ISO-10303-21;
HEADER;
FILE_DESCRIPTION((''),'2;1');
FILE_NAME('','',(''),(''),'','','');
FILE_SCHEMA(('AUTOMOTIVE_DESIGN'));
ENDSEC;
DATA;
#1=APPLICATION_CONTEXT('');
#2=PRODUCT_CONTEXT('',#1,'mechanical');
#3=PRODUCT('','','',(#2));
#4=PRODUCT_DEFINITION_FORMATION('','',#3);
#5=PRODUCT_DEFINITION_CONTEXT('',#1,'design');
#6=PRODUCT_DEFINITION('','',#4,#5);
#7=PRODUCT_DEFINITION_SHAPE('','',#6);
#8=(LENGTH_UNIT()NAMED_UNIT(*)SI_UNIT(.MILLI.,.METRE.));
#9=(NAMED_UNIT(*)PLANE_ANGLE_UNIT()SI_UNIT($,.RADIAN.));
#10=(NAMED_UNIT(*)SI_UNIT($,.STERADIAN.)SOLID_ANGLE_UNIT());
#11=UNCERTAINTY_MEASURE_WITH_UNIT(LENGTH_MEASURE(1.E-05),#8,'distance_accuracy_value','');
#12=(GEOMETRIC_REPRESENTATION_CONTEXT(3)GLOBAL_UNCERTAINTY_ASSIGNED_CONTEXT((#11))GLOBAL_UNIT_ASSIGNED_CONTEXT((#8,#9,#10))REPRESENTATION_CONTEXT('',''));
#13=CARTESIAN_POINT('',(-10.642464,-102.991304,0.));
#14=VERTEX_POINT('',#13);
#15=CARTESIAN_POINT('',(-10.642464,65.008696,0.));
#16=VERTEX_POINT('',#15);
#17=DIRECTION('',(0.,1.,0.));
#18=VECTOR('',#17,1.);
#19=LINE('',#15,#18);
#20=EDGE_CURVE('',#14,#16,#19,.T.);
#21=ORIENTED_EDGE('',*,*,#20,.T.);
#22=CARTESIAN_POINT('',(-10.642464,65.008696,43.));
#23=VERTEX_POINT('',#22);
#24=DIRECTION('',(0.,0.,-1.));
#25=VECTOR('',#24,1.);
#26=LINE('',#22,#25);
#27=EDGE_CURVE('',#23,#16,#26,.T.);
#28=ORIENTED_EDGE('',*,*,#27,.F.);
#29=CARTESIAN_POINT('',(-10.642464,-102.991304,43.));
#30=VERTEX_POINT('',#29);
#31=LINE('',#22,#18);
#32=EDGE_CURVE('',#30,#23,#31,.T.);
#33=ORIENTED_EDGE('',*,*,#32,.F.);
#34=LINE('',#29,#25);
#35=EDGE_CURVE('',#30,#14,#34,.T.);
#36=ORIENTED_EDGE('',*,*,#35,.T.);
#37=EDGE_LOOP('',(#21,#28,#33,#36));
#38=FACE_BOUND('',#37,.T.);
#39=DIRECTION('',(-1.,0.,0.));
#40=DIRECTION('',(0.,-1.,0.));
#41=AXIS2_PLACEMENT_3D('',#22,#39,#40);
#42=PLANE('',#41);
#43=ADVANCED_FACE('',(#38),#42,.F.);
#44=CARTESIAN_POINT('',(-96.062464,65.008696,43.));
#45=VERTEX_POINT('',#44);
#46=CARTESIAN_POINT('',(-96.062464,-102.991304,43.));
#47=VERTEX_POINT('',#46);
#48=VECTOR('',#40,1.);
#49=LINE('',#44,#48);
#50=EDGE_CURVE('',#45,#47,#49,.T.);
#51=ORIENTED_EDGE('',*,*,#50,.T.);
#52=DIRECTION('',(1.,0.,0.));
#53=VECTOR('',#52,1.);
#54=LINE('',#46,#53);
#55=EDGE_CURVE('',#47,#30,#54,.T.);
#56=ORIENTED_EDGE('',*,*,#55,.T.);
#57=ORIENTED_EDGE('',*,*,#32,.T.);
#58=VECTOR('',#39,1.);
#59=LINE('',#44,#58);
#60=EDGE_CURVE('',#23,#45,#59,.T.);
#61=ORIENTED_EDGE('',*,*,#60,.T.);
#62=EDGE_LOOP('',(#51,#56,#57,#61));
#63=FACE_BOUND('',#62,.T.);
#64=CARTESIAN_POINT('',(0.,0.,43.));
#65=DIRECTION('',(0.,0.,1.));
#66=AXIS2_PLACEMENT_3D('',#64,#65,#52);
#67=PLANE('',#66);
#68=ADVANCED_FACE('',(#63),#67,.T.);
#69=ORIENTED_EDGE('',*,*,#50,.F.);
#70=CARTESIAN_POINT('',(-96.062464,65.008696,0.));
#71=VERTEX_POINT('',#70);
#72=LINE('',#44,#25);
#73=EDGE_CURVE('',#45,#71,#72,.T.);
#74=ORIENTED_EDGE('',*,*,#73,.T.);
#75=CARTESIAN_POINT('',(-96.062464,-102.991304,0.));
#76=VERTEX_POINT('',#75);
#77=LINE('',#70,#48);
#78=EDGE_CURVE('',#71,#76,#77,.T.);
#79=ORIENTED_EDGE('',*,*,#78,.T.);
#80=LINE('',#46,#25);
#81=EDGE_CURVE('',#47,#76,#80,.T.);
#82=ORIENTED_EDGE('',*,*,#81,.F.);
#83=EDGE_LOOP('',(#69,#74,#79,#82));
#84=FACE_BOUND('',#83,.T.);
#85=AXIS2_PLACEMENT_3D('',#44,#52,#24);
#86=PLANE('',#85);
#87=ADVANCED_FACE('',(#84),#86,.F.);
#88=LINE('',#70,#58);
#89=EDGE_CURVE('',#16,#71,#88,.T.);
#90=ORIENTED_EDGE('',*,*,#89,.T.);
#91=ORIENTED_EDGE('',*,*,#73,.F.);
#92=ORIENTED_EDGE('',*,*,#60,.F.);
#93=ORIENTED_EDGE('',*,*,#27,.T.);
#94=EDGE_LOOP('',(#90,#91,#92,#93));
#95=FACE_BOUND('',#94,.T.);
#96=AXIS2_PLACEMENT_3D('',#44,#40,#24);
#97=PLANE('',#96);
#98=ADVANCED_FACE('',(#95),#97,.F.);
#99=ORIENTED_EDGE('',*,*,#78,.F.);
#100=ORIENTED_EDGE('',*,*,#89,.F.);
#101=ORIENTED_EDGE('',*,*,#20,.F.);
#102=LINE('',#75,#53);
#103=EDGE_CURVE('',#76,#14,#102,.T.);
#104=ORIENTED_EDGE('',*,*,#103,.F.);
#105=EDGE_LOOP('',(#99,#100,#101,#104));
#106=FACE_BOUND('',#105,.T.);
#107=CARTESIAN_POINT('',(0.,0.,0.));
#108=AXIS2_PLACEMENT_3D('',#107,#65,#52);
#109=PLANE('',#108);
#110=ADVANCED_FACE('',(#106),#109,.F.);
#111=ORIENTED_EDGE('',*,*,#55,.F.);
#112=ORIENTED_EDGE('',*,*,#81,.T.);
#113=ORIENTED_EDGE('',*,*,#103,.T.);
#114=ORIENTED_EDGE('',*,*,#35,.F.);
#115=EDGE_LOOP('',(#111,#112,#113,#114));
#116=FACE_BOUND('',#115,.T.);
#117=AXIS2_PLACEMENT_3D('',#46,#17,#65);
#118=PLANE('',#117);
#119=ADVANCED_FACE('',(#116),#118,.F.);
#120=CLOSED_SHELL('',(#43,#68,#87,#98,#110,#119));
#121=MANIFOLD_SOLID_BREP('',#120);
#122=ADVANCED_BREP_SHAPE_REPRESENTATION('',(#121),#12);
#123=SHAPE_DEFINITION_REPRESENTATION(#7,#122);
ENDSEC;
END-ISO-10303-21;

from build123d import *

# Parameters (mm, degrees)
ESQUISSE1_W        = 85.42
ESQUISSE1_H        = 168
BOSS_EXTRU_1_DEPTH = 43


with BuildPart() as part:
    # Esquisse1 → Boss.-Extru.1 (new body)
    with BuildSketch(Plane.XY):
        with Locations((-53.352463609, -18.991304348)):
            Rectangle(ESQUISSE1_W, ESQUISSE1_H)
    extrude(amount=BOSS_EXTRU_1_DEPTH)


solid = part.part
